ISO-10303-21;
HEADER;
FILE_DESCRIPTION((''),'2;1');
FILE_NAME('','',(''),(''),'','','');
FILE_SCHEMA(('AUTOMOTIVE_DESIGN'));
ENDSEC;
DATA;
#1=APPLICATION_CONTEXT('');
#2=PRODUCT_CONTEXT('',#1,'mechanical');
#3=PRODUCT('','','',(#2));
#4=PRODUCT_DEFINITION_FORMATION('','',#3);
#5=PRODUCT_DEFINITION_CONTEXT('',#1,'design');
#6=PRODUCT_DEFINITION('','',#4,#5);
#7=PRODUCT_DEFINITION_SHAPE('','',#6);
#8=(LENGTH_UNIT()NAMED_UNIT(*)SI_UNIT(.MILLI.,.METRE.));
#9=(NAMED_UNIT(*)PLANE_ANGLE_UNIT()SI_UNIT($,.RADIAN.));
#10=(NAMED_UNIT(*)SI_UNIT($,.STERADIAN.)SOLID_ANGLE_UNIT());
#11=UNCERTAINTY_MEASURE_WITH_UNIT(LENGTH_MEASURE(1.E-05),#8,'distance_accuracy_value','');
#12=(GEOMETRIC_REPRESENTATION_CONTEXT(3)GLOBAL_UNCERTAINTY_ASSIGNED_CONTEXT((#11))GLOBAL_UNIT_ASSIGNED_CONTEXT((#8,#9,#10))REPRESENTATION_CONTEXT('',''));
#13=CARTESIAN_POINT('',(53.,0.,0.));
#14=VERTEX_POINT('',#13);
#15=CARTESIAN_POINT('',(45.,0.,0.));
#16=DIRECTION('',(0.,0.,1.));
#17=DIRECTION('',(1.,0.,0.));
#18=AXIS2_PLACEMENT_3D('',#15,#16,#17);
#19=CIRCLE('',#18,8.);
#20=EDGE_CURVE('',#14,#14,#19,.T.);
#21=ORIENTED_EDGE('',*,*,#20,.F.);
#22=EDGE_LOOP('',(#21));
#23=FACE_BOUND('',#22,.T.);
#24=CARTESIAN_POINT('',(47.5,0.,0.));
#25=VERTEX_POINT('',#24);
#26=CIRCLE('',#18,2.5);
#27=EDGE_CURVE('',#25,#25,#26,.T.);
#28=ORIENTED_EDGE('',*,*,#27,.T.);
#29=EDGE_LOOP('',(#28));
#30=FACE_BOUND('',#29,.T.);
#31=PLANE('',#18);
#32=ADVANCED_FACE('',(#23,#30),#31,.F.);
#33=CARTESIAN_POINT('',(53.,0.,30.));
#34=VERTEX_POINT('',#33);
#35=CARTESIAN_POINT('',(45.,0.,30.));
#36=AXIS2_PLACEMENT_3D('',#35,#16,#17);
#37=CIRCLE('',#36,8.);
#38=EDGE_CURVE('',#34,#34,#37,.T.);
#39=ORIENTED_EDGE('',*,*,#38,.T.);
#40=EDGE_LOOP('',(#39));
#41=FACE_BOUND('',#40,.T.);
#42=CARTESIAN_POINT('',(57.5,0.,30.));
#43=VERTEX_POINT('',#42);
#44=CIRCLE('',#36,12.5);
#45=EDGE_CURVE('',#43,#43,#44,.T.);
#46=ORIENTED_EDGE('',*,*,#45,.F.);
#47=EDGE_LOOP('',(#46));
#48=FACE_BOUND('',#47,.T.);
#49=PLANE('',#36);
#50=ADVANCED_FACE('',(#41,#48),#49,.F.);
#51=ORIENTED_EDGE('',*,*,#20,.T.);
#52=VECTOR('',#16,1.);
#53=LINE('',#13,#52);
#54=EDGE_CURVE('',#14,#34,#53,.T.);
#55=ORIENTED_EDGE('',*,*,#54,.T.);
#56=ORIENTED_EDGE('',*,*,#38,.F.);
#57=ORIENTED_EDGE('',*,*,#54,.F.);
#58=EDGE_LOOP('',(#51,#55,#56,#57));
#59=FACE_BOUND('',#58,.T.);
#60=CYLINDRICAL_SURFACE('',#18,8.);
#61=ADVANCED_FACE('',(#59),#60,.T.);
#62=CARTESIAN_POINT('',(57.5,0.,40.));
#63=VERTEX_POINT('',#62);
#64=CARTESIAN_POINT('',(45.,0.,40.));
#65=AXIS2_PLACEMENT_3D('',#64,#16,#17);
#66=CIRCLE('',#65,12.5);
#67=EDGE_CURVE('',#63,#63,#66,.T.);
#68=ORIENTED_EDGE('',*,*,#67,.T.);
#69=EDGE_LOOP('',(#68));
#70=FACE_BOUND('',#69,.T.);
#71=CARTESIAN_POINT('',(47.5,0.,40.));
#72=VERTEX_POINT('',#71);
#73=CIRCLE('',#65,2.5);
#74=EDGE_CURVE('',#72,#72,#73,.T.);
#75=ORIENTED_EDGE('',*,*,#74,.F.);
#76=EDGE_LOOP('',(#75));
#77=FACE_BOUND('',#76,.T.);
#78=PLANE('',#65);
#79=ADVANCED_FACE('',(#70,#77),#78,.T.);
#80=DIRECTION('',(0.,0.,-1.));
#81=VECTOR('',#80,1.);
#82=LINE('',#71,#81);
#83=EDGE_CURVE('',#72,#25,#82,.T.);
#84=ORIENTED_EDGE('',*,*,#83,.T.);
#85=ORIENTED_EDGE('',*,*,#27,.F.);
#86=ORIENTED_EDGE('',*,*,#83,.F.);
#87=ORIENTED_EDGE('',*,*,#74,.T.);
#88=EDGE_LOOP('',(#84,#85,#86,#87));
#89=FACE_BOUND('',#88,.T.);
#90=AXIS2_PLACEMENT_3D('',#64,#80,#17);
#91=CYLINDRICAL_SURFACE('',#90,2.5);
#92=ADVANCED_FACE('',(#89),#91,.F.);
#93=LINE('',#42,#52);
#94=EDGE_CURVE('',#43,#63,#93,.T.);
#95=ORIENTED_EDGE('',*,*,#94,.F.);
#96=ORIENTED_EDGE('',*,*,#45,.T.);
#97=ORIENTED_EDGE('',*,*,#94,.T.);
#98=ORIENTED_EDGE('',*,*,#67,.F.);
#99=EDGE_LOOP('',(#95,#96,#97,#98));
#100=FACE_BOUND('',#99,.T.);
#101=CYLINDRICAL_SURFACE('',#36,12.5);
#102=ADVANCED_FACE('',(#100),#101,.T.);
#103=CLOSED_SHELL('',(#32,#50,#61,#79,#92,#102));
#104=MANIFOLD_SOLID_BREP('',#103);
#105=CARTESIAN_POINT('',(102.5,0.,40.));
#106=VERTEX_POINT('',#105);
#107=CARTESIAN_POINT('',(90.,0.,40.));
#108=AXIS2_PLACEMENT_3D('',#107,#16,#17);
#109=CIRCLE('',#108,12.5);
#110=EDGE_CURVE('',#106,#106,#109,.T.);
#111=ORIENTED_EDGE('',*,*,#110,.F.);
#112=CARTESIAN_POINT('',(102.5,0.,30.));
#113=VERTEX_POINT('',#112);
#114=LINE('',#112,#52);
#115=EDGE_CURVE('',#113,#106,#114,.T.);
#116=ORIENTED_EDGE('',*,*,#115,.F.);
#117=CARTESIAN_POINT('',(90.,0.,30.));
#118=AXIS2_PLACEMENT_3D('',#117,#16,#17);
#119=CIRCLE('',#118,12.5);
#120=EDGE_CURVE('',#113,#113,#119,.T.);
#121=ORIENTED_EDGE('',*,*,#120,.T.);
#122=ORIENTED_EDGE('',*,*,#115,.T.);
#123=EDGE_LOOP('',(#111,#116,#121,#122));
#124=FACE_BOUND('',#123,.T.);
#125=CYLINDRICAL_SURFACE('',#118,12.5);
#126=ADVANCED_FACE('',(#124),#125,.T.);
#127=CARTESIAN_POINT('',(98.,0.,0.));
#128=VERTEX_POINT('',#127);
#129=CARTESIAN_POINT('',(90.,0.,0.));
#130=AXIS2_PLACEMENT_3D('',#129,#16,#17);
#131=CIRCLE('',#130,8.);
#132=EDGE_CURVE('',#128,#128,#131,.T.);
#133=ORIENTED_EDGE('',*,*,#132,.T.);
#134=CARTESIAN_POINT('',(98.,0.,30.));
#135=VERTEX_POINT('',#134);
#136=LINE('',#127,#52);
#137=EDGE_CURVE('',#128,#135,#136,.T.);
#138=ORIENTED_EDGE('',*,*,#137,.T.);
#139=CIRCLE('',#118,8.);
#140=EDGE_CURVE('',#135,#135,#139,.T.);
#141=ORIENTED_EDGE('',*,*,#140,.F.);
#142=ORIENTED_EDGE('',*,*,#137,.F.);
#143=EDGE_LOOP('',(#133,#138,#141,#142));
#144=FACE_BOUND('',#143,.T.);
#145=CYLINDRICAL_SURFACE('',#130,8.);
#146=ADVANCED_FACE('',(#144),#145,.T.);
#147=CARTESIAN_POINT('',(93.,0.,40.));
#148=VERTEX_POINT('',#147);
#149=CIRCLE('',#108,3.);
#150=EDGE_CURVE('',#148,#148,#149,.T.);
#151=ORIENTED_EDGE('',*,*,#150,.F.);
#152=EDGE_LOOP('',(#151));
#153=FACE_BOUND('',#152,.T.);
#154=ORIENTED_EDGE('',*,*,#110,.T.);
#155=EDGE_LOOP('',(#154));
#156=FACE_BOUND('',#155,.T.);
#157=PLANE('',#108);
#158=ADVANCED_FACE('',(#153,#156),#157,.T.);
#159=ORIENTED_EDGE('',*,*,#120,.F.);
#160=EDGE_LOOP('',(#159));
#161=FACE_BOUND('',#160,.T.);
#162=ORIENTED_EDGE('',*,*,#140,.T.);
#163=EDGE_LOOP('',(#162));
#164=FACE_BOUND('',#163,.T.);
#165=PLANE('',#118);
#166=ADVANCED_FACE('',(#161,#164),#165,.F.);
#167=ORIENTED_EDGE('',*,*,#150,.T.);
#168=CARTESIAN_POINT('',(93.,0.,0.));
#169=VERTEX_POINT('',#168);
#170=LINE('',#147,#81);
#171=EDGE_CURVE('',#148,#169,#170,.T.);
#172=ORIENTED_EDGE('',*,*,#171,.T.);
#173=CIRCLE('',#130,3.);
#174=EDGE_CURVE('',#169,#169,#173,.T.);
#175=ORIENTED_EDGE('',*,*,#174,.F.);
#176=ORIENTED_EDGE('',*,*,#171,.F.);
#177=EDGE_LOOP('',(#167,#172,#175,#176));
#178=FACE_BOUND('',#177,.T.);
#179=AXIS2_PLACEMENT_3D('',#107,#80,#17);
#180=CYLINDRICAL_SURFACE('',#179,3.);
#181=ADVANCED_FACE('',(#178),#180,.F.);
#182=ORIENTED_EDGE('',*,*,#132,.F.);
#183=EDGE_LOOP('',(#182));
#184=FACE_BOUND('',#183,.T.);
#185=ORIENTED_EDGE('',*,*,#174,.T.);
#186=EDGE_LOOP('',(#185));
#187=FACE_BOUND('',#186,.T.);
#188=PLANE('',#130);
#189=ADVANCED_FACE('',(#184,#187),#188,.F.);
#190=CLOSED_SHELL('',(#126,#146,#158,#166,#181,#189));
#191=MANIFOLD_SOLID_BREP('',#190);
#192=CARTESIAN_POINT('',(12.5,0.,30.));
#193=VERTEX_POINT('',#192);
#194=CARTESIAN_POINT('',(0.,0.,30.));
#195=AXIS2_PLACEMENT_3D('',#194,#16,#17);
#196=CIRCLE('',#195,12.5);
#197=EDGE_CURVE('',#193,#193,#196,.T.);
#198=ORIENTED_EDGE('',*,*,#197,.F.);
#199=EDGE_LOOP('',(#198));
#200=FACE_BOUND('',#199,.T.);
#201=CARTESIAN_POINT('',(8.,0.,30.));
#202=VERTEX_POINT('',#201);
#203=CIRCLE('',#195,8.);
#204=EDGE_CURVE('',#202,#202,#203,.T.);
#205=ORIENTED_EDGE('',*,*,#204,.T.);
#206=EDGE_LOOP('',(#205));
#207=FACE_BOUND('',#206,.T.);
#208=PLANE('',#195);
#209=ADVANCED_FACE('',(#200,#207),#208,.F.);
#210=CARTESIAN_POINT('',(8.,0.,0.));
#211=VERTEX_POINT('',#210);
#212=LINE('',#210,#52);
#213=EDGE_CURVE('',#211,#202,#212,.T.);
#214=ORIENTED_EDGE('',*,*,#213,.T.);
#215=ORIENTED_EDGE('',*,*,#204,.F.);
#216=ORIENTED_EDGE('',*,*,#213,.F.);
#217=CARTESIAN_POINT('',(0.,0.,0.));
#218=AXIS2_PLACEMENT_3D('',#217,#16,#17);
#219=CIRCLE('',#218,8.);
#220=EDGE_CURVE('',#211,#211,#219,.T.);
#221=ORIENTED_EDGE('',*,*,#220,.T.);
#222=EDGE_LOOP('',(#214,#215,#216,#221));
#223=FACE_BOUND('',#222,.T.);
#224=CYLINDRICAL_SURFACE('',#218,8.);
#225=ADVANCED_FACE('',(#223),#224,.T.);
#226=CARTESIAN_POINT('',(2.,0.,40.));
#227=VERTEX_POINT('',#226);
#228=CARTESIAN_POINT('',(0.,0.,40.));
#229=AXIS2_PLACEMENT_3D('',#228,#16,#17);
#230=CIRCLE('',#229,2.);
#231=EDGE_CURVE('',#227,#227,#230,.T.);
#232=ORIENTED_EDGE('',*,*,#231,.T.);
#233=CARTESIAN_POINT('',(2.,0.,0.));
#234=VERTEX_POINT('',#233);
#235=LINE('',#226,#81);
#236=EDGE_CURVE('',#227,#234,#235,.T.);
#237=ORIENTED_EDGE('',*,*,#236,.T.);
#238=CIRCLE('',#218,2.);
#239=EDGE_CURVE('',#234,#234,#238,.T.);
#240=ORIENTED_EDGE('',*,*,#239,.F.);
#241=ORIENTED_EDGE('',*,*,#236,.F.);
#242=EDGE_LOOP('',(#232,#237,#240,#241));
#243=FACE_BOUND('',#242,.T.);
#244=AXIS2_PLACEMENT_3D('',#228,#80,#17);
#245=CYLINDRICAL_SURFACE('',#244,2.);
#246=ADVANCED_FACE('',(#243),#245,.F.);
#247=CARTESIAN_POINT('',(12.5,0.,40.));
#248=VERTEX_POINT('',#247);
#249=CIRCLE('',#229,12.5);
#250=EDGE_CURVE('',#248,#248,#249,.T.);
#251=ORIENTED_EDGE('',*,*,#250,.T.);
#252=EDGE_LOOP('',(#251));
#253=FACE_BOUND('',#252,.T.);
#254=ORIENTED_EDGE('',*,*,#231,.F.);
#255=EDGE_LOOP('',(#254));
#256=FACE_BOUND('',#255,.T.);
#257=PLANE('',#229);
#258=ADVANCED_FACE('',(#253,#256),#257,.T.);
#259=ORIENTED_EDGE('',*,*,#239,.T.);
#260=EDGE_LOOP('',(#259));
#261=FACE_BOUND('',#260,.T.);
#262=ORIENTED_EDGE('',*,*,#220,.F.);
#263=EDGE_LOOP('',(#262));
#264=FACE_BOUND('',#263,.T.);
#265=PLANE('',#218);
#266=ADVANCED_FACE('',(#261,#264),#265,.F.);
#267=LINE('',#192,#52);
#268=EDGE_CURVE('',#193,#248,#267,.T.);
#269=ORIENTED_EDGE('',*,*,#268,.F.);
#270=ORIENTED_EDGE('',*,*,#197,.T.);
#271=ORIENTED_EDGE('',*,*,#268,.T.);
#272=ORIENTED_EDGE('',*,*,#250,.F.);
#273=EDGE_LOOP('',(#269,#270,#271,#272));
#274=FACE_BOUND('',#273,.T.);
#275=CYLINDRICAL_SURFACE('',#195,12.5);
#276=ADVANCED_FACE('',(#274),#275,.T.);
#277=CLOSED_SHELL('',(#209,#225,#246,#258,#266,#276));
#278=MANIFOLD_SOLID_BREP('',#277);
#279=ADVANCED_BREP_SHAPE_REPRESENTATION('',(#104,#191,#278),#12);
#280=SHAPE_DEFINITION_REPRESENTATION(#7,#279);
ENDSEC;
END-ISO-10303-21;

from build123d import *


with BuildPart() as f1:
    # F0 (on Front) → F1 (revolve)
    with BuildSketch(Plane.XZ):
        Polygon((2, 0), (8, 0), (8, 30), (12.5, 30), (12.5, 40), (2, 40), align=None)
    revolve(axis=Axis((0, 0, 23.22392), (0, 0, 1)))


with BuildPart() as f3:
    # F2 (on Front) → F3 (revolve)
    with BuildSketch(Plane.XZ):
        Polygon((47.5, 30), (47.5, 0), (53, 0), (53, 30), (57.5, 30), (57.5, 40), (47.5, 40), align=None)
    revolve(axis=Axis((45, 0, 12.089669), (0, 0, 1)))


with BuildPart() as f5:
    # F4 (on Front) → F5 (revolve)
    with BuildSketch(Plane.XZ):
        Polygon((93, 30), (93, 0), (98, 0), (98, 30), (102.5, 30), (102.5, 40), (93, 40), align=None)
    revolve(axis=Axis((90, 0, 19.244505), (0, 0, 1)))


solid = Compound([f1.part, f3.part, f5.part])
